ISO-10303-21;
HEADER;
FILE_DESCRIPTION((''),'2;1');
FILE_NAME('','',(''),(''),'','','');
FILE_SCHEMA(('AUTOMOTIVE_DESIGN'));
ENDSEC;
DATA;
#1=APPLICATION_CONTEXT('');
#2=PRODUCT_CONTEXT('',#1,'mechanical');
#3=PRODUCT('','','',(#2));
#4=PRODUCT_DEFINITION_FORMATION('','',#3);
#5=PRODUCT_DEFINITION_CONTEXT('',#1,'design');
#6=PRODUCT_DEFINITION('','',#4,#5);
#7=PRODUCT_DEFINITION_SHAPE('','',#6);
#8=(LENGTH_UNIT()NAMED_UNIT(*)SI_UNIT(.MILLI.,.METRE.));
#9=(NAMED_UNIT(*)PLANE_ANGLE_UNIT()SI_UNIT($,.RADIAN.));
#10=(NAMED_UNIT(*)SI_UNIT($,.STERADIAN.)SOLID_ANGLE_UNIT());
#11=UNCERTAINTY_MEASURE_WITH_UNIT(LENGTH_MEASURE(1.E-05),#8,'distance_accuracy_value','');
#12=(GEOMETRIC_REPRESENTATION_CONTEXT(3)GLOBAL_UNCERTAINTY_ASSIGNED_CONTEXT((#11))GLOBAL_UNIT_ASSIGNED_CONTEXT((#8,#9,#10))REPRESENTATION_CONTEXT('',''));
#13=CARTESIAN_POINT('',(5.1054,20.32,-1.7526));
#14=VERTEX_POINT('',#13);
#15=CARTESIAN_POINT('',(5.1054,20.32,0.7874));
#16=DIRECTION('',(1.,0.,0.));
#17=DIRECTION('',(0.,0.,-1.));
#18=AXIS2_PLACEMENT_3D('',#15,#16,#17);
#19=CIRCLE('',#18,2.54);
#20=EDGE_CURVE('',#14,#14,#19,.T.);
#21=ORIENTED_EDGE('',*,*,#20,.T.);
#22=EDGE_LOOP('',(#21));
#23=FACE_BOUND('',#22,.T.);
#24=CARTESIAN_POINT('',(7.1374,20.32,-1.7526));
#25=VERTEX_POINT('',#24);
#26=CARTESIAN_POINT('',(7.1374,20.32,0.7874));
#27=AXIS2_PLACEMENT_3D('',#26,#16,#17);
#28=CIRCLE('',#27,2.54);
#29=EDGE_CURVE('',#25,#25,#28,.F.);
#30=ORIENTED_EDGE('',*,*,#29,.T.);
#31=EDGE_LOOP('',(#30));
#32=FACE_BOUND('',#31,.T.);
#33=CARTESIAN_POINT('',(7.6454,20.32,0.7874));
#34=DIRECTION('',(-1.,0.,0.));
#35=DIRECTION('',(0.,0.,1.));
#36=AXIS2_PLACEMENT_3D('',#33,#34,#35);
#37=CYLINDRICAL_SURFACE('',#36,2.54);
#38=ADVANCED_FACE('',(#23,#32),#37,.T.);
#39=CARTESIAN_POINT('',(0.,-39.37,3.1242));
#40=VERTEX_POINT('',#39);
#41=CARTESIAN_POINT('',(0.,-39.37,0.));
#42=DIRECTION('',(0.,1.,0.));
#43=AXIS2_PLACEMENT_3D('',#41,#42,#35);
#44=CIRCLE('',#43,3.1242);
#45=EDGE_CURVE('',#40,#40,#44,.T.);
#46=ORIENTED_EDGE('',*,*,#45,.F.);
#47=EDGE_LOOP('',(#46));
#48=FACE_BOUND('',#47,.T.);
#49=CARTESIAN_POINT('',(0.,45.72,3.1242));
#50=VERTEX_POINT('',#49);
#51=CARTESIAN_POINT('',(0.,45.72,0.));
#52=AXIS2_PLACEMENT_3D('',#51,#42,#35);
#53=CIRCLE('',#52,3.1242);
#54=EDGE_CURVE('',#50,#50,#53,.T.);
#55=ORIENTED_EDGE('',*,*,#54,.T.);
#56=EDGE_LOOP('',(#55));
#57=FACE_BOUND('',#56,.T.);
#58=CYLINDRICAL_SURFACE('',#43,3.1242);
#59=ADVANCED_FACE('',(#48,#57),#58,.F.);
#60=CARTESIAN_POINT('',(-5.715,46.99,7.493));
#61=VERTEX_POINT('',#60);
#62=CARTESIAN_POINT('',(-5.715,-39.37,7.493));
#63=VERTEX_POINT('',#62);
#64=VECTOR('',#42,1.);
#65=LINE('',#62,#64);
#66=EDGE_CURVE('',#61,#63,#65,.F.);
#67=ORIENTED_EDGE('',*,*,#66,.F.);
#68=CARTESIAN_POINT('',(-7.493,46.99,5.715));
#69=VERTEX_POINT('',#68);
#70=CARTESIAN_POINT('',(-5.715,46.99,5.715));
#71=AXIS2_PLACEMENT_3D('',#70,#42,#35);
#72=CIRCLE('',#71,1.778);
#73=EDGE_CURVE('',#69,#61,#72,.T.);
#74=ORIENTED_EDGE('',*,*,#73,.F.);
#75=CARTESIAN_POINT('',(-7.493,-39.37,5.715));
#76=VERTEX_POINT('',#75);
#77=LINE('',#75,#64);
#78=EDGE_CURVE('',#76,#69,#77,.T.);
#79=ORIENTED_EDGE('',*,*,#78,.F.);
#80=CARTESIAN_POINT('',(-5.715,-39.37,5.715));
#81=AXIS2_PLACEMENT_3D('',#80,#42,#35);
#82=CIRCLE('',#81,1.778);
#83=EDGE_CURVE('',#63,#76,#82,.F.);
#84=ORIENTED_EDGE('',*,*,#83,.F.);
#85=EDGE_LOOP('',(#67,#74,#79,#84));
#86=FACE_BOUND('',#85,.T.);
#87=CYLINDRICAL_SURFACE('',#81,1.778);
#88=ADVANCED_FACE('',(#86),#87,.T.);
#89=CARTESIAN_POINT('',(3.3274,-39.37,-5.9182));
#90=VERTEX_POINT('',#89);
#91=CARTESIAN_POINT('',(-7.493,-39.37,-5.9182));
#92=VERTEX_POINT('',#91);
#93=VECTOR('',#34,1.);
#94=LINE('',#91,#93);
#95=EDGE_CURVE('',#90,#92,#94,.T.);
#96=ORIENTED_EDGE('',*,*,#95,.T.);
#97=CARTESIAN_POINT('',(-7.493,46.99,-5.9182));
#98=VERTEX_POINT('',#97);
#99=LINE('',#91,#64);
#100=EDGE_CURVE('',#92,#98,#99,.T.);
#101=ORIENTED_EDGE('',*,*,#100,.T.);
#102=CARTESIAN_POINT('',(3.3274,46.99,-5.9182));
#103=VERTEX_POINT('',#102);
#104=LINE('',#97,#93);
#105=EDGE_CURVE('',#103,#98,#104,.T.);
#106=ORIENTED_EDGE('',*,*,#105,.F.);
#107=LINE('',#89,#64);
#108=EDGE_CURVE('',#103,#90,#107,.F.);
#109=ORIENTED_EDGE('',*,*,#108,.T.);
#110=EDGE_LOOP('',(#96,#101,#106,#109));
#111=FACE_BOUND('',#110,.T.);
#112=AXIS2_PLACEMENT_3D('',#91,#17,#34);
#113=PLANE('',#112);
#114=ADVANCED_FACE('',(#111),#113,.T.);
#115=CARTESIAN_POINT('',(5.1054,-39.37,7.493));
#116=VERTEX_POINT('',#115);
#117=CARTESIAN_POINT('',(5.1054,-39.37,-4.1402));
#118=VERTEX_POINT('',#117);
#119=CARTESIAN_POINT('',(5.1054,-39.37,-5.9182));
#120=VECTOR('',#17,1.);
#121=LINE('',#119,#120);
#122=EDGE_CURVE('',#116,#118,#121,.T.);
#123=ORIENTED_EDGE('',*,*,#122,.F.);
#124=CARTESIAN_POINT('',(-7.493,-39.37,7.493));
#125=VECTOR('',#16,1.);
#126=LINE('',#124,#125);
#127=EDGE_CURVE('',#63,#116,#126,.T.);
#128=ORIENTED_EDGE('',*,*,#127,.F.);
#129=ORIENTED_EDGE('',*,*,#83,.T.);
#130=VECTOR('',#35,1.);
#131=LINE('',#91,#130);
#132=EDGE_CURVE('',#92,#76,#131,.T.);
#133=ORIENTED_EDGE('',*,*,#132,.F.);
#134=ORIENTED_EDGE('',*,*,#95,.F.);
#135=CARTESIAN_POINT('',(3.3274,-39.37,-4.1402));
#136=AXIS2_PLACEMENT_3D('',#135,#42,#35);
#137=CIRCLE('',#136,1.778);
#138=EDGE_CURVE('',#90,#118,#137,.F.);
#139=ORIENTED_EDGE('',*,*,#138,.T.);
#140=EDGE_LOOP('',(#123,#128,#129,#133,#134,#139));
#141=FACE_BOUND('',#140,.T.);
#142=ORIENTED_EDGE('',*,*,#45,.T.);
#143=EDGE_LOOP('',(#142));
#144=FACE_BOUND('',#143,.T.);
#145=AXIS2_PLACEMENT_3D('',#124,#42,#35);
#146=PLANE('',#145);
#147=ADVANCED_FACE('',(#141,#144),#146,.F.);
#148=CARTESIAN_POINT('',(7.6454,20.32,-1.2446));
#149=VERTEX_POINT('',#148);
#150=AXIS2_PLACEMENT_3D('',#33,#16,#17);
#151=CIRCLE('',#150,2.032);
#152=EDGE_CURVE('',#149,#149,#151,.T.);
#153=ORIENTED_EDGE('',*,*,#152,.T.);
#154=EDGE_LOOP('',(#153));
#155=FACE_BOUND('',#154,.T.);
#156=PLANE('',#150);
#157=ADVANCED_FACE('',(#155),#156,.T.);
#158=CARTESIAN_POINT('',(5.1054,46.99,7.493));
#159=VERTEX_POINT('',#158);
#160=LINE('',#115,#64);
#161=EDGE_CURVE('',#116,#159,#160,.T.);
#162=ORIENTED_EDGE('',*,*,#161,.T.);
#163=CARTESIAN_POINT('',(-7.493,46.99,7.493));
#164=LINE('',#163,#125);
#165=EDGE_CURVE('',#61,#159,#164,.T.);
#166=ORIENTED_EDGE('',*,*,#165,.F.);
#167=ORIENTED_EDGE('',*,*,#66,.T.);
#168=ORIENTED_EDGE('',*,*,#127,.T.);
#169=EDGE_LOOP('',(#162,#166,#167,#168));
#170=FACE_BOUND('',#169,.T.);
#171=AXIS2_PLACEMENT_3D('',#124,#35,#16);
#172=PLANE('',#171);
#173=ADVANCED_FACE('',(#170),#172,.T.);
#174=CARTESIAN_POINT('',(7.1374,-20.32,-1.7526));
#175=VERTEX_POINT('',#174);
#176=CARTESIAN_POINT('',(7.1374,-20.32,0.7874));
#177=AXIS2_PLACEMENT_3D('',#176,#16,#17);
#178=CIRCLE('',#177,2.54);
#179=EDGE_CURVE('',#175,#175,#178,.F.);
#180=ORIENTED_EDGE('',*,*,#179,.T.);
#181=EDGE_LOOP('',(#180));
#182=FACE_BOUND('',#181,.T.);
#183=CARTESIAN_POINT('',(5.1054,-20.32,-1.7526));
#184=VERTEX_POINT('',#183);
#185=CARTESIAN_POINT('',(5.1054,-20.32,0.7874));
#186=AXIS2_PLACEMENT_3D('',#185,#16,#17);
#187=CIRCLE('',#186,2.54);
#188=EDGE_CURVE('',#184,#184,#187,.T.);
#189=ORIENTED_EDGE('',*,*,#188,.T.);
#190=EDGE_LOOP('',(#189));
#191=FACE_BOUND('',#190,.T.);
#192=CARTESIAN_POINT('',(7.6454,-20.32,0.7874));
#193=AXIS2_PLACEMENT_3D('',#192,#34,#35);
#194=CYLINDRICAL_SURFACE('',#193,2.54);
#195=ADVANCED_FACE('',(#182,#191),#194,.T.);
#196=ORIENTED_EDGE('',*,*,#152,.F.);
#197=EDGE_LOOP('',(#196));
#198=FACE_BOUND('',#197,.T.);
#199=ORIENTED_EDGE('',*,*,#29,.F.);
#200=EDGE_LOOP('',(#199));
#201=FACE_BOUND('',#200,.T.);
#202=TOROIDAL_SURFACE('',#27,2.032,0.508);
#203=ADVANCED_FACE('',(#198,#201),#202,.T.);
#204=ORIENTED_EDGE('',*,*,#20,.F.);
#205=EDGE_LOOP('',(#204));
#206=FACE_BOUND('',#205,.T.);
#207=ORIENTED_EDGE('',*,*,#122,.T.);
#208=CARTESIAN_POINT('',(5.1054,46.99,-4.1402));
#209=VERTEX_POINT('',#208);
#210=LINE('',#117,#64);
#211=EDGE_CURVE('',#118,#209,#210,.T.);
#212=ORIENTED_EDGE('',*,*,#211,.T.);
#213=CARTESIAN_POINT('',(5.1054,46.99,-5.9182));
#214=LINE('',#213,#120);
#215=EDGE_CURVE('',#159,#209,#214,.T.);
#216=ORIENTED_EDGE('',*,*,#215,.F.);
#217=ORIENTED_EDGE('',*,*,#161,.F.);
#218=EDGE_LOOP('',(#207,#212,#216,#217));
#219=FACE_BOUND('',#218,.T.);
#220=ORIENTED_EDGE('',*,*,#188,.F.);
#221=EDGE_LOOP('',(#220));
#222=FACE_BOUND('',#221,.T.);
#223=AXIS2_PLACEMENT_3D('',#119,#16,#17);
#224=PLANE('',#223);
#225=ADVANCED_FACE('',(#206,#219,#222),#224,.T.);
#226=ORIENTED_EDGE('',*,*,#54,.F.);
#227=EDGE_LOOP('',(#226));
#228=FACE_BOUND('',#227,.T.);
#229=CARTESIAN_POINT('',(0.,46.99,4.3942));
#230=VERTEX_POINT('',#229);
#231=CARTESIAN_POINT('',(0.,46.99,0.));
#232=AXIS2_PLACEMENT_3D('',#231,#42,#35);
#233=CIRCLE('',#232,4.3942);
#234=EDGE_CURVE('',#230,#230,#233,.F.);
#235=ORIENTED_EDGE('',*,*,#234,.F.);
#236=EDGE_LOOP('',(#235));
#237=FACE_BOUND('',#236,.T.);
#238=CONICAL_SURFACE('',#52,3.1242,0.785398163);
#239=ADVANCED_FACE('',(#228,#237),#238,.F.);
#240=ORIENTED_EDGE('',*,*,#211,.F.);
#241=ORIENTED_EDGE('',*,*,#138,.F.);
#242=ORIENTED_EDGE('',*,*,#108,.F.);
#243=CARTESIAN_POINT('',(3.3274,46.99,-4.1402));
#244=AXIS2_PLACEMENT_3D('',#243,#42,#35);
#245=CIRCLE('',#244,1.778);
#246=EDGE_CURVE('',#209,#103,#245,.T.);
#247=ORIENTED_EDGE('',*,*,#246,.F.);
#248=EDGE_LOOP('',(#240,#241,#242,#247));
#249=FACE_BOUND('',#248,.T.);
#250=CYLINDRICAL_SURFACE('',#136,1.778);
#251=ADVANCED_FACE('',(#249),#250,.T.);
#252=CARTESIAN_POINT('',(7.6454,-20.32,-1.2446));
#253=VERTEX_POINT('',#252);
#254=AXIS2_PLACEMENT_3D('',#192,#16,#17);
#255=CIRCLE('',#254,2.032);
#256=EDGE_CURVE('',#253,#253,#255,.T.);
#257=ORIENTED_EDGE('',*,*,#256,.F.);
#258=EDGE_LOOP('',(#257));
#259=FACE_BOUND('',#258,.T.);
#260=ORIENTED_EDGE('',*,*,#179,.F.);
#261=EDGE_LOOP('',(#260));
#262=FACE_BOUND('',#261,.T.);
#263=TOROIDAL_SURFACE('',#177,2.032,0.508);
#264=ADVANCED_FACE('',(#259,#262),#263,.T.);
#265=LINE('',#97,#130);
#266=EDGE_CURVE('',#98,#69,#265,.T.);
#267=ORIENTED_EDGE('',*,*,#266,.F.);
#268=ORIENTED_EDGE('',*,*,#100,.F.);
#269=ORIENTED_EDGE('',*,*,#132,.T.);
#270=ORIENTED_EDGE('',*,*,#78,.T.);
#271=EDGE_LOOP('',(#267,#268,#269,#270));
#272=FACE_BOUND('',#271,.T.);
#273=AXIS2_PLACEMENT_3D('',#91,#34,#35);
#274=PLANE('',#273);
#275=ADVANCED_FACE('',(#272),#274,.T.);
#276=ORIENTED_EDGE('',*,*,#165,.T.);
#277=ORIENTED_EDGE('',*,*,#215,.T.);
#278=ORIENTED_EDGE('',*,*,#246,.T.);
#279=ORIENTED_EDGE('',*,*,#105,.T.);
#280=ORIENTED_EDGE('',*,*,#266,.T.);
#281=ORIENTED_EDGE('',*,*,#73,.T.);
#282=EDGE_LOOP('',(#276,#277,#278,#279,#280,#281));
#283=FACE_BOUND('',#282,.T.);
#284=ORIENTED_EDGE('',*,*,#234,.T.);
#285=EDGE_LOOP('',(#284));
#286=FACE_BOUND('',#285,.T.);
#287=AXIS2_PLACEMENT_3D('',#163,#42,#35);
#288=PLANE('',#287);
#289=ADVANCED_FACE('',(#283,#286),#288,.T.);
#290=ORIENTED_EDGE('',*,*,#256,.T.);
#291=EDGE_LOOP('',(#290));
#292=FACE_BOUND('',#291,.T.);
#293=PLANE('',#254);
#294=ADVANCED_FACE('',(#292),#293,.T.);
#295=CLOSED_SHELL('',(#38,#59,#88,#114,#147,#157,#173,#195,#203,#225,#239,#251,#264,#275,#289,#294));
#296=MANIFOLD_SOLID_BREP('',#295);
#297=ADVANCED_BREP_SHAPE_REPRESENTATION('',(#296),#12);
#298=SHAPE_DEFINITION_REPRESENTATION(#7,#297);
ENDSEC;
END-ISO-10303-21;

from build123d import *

# Parameters (mm, degrees)
SKETCH1_W                = 12.5984
SKETCH1_H                = 13.4112
BOSS_EXTRUDE1_DEPTH      = 46.99
BOSS_EXTRUDE1_DEPTH_BACK = 39.37
SKETCH2_R                = 3.1242
CUT_EXTRUDE1_DEPTH       = 87.36
SKETCH4_R                = 2.54
BOSS_EXTRUDE2_DEPTH      = 2.54
FILLET2_R                = 0.508
FILLET2_OF_MIRROR1_R     = 0.508
FILLET1_R                = 1.778
CHAMFER1_SIZE            = 1.27


with BuildPart() as part:
    # Sketch1 → Boss-Extrude1 (new body, two sides)
    with BuildSketch(Plane(origin=(0, 0, 0), x_dir=(1, 0, 0), z_dir=(0, 1, 0))) as boss_extrude1_sk:
        with Locations((-1.1938, -0.7874)):
            Rectangle(SKETCH1_W, SKETCH1_H)
    extrude(amount=BOSS_EXTRUDE1_DEPTH)
    extrude(boss_extrude1_sk.sketch, amount=-BOSS_EXTRUDE1_DEPTH_BACK)

    # Sketch2 → Cut-Extrude1 (cut, through all)
    with BuildSketch(Plane(origin=(0, 46.99, 0), x_dir=(1, 0, 0), z_dir=(0, 1, 0))):
        with Locations(Location((0, 0, 0), (0, 0, 270))):  # turned: the seam where the file's is
            Circle(SKETCH2_R)
    extrude(amount=-CUT_EXTRUDE1_DEPTH, mode=Mode.SUBTRACT)

    # Sketch4 → Boss-Extrude2 (add)
    with BuildSketch(Plane(origin=(5.1054, 0, 0), x_dir=(0, 0, -1), z_dir=(1, 0, 0))):
        with Locations((-0.7874, -20.32)):
            Circle(SKETCH4_R)
    boss_extrude2 = extrude(amount=BOSS_EXTRUDE2_DEPTH)

    # Fillet2
    fillet2_edges = [part.edges().sort_by_distance(p)[0] for p in [
        (7.6454, -20.32, 3.3274),
    ]]
    fillet(fillet2_edges, radius=FILLET2_R)

    # Mirror1: Boss-Extrude2 across plane
    add(boss_extrude2.mirror(Plane.ZX))

    # Fillet2 of Mirror1
    fillet2_of_mirror1_edges = [part.edges().sort_by_distance(p)[0] for p in [
        (7.6454, 20.32, 3.3274),
    ]]
    fillet(fillet2_of_mirror1_edges, radius=FILLET2_OF_MIRROR1_R)

    # Fillet1
    fillet1_edges = [part.edges().sort_by_distance(p)[0] for p in [
        (5.1054, 3.81, -5.9182),
        (-7.493, 3.81, 7.493),
    ]]
    fillet(fillet1_edges, radius=FILLET1_R)

    # Chamfer1
    chamfer1_edges = [part.edges().sort_by_distance(p)[0] for p in [
        (0, 46.99, -3.1242),
    ]]
    chamfer(chamfer1_edges, length=CHAMFER1_SIZE)


solid = part.part
